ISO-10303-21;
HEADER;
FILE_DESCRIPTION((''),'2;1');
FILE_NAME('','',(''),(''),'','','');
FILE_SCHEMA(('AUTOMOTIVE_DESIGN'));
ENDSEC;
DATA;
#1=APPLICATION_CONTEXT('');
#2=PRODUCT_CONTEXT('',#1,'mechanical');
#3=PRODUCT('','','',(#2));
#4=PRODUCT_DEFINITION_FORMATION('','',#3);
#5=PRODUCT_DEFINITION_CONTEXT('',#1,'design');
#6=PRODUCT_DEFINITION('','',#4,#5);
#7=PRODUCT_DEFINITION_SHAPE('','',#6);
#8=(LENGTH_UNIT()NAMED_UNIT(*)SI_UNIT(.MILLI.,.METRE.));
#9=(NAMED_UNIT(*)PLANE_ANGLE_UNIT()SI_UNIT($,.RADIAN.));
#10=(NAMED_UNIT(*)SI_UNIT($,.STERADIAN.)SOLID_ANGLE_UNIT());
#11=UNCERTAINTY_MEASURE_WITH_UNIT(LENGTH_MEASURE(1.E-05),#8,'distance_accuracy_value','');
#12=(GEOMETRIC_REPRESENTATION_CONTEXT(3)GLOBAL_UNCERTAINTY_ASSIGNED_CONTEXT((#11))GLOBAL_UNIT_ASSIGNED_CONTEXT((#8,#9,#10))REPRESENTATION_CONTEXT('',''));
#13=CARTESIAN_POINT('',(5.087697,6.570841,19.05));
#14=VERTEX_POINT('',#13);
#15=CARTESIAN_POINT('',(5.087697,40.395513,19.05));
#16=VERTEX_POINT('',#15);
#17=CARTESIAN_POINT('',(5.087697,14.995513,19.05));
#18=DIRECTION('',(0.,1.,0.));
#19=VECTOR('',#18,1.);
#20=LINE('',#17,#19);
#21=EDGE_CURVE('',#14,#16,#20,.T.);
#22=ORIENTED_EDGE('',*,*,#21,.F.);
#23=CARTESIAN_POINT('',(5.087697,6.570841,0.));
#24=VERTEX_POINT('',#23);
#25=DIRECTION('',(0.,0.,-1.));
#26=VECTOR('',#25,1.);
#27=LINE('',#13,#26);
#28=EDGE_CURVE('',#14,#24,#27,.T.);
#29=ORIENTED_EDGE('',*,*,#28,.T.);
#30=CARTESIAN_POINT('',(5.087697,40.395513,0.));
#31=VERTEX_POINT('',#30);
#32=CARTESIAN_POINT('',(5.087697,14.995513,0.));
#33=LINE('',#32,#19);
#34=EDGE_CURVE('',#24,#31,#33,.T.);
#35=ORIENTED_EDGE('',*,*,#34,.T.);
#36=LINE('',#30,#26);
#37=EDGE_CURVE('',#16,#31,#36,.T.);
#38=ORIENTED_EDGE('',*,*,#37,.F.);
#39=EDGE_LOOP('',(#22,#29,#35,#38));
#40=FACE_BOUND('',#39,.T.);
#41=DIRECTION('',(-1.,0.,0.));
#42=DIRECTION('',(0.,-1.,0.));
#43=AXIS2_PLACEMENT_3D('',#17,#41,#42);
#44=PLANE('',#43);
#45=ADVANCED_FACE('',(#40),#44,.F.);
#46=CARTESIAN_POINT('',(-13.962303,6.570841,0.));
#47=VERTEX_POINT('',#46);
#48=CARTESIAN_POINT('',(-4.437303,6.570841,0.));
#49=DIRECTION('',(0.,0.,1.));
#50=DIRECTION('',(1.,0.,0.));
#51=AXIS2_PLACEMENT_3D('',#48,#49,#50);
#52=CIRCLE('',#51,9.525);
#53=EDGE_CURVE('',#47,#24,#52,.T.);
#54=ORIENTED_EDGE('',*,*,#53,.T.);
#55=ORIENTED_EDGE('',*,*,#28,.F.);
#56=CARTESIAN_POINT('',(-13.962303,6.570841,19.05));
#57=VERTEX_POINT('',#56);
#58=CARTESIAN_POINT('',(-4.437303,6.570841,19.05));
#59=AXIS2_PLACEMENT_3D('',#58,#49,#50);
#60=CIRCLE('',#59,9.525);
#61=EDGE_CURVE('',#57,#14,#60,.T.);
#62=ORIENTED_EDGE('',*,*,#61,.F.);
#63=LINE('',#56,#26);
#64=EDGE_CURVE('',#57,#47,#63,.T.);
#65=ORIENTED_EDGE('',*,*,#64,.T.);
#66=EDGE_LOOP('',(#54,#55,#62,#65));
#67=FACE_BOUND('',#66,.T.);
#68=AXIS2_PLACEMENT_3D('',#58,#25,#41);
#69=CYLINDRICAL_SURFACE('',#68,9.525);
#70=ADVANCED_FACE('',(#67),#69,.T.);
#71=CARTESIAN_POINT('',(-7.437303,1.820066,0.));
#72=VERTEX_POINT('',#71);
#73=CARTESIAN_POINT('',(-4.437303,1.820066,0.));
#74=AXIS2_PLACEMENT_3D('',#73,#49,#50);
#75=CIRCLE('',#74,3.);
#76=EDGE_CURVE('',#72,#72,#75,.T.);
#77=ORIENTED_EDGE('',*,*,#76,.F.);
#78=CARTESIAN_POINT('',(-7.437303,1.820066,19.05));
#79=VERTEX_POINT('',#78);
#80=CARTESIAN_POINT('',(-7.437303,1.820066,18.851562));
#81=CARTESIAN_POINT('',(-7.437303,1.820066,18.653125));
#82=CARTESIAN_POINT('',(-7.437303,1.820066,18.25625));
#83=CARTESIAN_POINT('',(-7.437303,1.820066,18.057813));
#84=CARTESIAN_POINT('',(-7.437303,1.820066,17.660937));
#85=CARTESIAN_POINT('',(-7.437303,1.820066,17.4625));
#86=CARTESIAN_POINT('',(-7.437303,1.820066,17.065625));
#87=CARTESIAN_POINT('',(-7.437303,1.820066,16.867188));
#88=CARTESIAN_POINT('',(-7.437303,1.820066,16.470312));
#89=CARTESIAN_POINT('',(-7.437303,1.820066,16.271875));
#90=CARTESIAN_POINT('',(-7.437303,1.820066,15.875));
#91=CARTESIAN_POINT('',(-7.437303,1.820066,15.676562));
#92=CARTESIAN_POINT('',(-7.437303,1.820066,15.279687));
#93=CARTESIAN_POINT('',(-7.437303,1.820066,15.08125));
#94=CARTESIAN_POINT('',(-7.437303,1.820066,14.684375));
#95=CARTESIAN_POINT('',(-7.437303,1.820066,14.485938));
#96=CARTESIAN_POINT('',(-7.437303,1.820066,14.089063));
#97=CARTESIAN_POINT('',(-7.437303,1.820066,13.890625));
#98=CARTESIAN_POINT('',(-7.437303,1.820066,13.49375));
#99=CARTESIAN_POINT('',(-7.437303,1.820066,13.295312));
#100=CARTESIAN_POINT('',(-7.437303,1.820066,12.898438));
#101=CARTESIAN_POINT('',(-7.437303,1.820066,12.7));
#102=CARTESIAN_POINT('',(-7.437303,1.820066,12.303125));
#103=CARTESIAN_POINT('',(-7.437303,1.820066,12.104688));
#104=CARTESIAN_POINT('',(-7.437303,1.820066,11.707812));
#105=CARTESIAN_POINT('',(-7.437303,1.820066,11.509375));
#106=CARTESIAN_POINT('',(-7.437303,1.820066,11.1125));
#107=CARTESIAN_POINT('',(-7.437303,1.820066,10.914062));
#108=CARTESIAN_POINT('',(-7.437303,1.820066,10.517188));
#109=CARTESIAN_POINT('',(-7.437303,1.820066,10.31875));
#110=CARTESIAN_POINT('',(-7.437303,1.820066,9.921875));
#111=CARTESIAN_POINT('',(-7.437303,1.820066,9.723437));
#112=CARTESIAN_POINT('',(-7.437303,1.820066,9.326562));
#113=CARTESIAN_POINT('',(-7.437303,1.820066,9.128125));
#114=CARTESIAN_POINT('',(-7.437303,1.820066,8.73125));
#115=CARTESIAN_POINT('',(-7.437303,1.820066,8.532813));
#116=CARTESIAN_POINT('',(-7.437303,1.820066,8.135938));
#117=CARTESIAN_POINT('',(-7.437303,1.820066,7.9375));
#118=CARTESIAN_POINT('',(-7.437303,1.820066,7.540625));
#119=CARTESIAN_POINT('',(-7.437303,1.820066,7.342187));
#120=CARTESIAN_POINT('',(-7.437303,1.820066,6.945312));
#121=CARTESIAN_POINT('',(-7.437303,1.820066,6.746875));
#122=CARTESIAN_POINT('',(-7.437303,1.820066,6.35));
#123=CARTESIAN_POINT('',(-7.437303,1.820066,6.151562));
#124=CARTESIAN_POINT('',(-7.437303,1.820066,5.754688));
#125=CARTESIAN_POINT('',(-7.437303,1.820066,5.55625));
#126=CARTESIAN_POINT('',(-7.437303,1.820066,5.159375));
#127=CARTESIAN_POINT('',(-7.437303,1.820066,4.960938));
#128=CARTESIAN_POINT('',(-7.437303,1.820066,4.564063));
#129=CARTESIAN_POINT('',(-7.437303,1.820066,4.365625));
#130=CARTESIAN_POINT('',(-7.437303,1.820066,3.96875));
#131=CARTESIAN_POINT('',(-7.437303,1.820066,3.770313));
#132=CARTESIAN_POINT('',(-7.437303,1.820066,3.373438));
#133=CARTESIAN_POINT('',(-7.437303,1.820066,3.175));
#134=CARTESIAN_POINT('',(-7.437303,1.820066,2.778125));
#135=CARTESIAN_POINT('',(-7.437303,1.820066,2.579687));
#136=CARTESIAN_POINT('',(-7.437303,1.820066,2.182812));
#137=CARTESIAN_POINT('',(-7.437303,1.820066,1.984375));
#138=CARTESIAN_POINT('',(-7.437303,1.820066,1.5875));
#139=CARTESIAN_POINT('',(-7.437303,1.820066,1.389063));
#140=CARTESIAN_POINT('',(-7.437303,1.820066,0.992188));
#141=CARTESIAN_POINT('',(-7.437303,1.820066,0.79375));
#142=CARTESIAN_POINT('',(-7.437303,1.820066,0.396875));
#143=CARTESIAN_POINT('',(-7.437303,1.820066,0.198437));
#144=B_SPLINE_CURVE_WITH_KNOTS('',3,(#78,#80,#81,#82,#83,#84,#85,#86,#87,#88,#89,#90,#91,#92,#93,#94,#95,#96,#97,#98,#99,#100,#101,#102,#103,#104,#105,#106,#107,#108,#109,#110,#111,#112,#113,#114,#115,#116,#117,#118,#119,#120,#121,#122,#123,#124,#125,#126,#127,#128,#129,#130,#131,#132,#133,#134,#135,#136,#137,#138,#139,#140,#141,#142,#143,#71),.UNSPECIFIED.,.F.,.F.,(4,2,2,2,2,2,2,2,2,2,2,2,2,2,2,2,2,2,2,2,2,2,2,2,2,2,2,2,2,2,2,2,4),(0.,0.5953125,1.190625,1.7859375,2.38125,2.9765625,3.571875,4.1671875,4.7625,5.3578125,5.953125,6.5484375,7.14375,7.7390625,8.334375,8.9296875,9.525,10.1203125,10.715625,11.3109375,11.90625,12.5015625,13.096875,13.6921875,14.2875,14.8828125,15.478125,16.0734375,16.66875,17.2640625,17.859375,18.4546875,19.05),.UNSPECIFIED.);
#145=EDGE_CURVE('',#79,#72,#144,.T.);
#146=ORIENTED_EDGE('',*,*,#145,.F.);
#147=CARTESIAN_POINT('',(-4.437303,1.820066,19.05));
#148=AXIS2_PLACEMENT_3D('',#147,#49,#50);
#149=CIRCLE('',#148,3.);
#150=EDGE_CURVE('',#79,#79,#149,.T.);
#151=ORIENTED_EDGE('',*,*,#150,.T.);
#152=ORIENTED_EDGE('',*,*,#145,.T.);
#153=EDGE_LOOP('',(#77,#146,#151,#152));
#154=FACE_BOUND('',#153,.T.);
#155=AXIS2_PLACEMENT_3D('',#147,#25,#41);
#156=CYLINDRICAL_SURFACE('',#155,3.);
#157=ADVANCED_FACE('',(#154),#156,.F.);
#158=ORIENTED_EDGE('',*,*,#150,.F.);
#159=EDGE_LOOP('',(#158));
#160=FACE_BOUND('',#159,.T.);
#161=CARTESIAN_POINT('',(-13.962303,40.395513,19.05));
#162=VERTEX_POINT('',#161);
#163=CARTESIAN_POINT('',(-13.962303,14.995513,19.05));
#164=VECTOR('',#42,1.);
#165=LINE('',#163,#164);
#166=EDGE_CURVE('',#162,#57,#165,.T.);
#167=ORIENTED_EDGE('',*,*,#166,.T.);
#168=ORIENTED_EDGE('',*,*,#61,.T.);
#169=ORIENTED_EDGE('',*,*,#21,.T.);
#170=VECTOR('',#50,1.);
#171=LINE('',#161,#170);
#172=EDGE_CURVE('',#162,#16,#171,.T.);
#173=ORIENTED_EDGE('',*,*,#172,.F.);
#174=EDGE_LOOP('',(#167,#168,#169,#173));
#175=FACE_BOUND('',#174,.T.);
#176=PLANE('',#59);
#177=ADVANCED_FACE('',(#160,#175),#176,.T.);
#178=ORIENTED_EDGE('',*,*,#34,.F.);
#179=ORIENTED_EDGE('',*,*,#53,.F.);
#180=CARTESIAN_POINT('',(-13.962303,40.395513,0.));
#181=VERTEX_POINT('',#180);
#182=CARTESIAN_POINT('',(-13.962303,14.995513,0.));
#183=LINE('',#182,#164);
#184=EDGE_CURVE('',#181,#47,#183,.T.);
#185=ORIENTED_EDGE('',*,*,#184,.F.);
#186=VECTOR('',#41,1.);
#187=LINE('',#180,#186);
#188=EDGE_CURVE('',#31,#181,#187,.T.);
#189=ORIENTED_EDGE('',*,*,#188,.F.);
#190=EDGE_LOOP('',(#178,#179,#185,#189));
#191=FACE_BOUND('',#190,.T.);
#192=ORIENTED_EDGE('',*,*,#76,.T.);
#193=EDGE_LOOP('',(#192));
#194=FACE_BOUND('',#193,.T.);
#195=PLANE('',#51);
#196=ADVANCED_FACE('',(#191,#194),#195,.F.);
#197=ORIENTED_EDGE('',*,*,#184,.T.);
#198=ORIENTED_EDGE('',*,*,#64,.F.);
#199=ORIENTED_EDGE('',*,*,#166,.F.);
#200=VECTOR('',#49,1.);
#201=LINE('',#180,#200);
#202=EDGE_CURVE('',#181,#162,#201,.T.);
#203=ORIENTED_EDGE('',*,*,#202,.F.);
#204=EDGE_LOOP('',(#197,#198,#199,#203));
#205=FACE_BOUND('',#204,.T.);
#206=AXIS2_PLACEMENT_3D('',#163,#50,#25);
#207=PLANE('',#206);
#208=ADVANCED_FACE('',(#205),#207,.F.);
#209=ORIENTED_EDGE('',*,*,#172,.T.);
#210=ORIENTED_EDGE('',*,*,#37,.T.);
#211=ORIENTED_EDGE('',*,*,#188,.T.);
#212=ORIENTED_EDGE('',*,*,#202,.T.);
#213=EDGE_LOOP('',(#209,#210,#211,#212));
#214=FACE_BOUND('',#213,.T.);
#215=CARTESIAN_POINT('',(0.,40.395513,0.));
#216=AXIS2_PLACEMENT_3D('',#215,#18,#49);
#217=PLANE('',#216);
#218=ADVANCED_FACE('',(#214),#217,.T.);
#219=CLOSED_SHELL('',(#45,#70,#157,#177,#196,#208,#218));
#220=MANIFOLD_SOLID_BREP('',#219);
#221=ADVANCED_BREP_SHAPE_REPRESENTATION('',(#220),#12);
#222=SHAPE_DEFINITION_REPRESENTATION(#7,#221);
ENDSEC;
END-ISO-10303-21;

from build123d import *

# Parameters (mm, degrees)
SKETCH1_R           = 3
BOSS_EXTRUDE1_DEPTH = 19.05
SKETCH3_W           = 19.05
SKETCH3_H           = 19.05
BOSS_EXTRUDE2_DEPTH = 25.4


with BuildPart() as part:
    # Sketch1 → Boss-Extrude1 (new body)
    with BuildSketch(Plane.XY):
        with BuildLine():
            Line((-13.962302658, 14.995513055), (5.087697342, 14.995513055))
            Line((5.087697342, 14.995513055), (5.087697342, 6.570840919))
            ThreePointArc((5.087697342, 6.570840919), (-4.437302658, -2.954159081), (-13.962302658, 6.570840919))
            Line((-13.962302658, 6.570840919), (-13.962302658, 14.995513055))
        make_face()
        with Locations(Location((-4.437302658, 1.820065848, 0), (0, 0, 180))):
            Circle(SKETCH1_R, mode=Mode.SUBTRACT)
    extrude(amount=BOSS_EXTRUDE1_DEPTH)

    # Sketch3 → Boss-Extrude2 (add)
    with BuildSketch(Plane(origin=(0, 14.995513055, 0), x_dir=(1, 0, 0), z_dir=(0, 1, 0))):
        with Locations((-4.437302658, -9.525)):
            Rectangle(SKETCH3_W, SKETCH3_H)
    extrude(amount=BOSS_EXTRUDE2_DEPTH)


solid = part.part
